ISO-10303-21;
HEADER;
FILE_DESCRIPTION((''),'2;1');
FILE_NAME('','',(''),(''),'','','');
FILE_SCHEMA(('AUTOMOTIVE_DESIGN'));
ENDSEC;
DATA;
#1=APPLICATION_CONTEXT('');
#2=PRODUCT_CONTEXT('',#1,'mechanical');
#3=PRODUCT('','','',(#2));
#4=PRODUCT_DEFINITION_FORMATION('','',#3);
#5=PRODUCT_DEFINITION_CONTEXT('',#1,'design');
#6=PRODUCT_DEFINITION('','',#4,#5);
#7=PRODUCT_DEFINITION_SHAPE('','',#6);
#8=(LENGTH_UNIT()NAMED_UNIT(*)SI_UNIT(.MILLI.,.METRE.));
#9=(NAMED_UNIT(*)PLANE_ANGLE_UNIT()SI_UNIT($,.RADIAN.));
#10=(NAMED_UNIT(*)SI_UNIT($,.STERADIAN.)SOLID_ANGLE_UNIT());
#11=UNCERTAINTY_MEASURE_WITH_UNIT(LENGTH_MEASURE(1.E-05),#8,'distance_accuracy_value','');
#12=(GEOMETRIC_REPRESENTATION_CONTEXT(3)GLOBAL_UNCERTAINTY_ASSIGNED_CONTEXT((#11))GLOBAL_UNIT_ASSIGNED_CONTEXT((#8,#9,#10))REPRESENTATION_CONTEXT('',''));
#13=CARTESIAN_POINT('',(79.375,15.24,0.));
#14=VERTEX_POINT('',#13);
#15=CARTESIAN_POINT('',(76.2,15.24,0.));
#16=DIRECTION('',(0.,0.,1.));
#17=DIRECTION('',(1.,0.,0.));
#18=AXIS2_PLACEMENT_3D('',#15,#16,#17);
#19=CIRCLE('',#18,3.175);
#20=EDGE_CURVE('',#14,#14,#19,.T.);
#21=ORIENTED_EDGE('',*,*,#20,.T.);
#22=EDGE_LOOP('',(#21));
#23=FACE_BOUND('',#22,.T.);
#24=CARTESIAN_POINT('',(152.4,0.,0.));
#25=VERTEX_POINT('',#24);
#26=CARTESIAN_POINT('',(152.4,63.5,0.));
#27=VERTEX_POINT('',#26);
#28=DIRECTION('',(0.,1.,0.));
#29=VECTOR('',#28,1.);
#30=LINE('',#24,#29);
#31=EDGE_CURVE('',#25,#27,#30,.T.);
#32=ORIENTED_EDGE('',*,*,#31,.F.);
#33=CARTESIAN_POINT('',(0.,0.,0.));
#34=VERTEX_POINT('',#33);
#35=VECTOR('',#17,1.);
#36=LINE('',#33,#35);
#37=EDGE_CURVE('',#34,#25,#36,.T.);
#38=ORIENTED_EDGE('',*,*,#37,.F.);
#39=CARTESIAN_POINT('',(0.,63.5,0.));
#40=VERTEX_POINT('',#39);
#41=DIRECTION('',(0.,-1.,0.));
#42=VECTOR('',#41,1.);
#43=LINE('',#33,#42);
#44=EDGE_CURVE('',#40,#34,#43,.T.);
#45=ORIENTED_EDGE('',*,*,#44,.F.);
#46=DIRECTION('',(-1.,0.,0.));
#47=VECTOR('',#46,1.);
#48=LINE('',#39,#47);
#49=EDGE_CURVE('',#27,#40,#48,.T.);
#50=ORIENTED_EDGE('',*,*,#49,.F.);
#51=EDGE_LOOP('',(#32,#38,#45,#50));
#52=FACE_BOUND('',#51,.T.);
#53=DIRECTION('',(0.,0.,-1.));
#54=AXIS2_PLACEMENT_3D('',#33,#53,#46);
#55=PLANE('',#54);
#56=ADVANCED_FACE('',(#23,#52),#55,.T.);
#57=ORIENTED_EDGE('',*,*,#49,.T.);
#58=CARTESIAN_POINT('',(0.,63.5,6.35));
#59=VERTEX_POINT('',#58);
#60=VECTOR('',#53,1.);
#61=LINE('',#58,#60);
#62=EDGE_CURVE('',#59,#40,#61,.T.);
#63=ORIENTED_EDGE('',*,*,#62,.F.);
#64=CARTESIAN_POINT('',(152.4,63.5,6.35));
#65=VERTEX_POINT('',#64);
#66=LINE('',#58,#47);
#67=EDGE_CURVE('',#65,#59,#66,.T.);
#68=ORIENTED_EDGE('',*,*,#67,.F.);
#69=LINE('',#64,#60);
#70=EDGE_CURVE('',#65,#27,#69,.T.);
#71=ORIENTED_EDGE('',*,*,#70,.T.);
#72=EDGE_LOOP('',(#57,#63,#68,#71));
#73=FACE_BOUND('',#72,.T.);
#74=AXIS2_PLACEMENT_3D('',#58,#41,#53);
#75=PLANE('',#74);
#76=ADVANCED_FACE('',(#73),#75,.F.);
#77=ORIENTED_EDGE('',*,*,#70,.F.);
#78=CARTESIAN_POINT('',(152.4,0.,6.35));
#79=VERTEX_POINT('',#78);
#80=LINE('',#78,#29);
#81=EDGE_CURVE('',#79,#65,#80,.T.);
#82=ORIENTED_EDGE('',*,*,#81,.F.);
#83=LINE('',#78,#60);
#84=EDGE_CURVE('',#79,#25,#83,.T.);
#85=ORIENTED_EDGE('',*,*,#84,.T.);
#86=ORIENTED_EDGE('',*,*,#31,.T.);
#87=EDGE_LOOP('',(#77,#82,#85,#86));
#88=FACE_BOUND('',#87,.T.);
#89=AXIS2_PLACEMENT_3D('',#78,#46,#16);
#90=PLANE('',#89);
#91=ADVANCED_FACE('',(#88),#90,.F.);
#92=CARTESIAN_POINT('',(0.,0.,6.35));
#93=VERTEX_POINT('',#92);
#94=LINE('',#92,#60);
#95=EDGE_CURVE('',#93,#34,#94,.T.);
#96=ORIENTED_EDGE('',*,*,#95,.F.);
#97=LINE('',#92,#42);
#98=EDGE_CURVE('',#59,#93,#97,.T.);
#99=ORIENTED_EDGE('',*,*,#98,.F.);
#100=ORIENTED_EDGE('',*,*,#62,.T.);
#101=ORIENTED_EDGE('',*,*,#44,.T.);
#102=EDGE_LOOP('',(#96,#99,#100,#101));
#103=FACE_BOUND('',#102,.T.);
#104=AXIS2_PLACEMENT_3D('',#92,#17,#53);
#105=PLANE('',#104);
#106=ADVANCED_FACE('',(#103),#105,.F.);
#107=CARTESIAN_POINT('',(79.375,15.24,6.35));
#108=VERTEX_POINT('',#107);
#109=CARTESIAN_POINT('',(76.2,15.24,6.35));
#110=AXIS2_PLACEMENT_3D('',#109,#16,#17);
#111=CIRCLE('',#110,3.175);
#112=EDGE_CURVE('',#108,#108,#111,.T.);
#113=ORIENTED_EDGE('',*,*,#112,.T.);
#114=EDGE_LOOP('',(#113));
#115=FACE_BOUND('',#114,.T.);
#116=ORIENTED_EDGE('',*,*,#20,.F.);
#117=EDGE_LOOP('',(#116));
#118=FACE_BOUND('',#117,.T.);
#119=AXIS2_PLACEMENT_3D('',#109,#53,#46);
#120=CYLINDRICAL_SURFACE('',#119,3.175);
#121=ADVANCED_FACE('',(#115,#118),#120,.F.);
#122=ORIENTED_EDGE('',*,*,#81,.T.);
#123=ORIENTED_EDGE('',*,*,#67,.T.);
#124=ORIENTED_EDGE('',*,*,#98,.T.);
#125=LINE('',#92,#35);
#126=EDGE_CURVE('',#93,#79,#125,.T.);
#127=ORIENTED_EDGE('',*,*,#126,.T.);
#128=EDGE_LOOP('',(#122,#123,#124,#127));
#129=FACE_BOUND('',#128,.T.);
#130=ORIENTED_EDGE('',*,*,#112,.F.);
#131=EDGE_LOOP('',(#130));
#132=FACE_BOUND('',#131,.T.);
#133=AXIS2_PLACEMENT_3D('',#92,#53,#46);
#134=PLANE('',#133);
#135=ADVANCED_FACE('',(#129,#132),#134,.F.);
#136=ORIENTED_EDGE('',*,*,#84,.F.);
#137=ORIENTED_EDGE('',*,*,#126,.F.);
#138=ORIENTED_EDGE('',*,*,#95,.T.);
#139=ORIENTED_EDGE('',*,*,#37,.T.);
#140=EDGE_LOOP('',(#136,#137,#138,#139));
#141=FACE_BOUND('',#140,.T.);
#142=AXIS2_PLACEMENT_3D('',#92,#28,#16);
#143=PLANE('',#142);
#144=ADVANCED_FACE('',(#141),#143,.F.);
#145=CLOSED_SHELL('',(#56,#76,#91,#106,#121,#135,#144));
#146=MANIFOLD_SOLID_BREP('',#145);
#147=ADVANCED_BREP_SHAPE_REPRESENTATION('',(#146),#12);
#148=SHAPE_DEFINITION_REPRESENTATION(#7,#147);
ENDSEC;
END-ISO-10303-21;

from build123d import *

# Parameters (mm, degrees)
SKETCH1_W           = 152.4
SKETCH1_H           = 63.5
SKETCH1_R           = 3.175
BOSS_EXTRUDE1_DEPTH = 6.35


with BuildPart() as part:
    # Sketch1 → Boss-Extrude1 (new body)
    with BuildSketch(Plane.XY):
        with Locations((76.2, 31.75)):
            Rectangle(SKETCH1_W, SKETCH1_H)
        with Locations((76.2, 15.24)):
            Circle(SKETCH1_R, mode=Mode.SUBTRACT)
    extrude(amount=BOSS_EXTRUDE1_DEPTH)


solid = part.part
